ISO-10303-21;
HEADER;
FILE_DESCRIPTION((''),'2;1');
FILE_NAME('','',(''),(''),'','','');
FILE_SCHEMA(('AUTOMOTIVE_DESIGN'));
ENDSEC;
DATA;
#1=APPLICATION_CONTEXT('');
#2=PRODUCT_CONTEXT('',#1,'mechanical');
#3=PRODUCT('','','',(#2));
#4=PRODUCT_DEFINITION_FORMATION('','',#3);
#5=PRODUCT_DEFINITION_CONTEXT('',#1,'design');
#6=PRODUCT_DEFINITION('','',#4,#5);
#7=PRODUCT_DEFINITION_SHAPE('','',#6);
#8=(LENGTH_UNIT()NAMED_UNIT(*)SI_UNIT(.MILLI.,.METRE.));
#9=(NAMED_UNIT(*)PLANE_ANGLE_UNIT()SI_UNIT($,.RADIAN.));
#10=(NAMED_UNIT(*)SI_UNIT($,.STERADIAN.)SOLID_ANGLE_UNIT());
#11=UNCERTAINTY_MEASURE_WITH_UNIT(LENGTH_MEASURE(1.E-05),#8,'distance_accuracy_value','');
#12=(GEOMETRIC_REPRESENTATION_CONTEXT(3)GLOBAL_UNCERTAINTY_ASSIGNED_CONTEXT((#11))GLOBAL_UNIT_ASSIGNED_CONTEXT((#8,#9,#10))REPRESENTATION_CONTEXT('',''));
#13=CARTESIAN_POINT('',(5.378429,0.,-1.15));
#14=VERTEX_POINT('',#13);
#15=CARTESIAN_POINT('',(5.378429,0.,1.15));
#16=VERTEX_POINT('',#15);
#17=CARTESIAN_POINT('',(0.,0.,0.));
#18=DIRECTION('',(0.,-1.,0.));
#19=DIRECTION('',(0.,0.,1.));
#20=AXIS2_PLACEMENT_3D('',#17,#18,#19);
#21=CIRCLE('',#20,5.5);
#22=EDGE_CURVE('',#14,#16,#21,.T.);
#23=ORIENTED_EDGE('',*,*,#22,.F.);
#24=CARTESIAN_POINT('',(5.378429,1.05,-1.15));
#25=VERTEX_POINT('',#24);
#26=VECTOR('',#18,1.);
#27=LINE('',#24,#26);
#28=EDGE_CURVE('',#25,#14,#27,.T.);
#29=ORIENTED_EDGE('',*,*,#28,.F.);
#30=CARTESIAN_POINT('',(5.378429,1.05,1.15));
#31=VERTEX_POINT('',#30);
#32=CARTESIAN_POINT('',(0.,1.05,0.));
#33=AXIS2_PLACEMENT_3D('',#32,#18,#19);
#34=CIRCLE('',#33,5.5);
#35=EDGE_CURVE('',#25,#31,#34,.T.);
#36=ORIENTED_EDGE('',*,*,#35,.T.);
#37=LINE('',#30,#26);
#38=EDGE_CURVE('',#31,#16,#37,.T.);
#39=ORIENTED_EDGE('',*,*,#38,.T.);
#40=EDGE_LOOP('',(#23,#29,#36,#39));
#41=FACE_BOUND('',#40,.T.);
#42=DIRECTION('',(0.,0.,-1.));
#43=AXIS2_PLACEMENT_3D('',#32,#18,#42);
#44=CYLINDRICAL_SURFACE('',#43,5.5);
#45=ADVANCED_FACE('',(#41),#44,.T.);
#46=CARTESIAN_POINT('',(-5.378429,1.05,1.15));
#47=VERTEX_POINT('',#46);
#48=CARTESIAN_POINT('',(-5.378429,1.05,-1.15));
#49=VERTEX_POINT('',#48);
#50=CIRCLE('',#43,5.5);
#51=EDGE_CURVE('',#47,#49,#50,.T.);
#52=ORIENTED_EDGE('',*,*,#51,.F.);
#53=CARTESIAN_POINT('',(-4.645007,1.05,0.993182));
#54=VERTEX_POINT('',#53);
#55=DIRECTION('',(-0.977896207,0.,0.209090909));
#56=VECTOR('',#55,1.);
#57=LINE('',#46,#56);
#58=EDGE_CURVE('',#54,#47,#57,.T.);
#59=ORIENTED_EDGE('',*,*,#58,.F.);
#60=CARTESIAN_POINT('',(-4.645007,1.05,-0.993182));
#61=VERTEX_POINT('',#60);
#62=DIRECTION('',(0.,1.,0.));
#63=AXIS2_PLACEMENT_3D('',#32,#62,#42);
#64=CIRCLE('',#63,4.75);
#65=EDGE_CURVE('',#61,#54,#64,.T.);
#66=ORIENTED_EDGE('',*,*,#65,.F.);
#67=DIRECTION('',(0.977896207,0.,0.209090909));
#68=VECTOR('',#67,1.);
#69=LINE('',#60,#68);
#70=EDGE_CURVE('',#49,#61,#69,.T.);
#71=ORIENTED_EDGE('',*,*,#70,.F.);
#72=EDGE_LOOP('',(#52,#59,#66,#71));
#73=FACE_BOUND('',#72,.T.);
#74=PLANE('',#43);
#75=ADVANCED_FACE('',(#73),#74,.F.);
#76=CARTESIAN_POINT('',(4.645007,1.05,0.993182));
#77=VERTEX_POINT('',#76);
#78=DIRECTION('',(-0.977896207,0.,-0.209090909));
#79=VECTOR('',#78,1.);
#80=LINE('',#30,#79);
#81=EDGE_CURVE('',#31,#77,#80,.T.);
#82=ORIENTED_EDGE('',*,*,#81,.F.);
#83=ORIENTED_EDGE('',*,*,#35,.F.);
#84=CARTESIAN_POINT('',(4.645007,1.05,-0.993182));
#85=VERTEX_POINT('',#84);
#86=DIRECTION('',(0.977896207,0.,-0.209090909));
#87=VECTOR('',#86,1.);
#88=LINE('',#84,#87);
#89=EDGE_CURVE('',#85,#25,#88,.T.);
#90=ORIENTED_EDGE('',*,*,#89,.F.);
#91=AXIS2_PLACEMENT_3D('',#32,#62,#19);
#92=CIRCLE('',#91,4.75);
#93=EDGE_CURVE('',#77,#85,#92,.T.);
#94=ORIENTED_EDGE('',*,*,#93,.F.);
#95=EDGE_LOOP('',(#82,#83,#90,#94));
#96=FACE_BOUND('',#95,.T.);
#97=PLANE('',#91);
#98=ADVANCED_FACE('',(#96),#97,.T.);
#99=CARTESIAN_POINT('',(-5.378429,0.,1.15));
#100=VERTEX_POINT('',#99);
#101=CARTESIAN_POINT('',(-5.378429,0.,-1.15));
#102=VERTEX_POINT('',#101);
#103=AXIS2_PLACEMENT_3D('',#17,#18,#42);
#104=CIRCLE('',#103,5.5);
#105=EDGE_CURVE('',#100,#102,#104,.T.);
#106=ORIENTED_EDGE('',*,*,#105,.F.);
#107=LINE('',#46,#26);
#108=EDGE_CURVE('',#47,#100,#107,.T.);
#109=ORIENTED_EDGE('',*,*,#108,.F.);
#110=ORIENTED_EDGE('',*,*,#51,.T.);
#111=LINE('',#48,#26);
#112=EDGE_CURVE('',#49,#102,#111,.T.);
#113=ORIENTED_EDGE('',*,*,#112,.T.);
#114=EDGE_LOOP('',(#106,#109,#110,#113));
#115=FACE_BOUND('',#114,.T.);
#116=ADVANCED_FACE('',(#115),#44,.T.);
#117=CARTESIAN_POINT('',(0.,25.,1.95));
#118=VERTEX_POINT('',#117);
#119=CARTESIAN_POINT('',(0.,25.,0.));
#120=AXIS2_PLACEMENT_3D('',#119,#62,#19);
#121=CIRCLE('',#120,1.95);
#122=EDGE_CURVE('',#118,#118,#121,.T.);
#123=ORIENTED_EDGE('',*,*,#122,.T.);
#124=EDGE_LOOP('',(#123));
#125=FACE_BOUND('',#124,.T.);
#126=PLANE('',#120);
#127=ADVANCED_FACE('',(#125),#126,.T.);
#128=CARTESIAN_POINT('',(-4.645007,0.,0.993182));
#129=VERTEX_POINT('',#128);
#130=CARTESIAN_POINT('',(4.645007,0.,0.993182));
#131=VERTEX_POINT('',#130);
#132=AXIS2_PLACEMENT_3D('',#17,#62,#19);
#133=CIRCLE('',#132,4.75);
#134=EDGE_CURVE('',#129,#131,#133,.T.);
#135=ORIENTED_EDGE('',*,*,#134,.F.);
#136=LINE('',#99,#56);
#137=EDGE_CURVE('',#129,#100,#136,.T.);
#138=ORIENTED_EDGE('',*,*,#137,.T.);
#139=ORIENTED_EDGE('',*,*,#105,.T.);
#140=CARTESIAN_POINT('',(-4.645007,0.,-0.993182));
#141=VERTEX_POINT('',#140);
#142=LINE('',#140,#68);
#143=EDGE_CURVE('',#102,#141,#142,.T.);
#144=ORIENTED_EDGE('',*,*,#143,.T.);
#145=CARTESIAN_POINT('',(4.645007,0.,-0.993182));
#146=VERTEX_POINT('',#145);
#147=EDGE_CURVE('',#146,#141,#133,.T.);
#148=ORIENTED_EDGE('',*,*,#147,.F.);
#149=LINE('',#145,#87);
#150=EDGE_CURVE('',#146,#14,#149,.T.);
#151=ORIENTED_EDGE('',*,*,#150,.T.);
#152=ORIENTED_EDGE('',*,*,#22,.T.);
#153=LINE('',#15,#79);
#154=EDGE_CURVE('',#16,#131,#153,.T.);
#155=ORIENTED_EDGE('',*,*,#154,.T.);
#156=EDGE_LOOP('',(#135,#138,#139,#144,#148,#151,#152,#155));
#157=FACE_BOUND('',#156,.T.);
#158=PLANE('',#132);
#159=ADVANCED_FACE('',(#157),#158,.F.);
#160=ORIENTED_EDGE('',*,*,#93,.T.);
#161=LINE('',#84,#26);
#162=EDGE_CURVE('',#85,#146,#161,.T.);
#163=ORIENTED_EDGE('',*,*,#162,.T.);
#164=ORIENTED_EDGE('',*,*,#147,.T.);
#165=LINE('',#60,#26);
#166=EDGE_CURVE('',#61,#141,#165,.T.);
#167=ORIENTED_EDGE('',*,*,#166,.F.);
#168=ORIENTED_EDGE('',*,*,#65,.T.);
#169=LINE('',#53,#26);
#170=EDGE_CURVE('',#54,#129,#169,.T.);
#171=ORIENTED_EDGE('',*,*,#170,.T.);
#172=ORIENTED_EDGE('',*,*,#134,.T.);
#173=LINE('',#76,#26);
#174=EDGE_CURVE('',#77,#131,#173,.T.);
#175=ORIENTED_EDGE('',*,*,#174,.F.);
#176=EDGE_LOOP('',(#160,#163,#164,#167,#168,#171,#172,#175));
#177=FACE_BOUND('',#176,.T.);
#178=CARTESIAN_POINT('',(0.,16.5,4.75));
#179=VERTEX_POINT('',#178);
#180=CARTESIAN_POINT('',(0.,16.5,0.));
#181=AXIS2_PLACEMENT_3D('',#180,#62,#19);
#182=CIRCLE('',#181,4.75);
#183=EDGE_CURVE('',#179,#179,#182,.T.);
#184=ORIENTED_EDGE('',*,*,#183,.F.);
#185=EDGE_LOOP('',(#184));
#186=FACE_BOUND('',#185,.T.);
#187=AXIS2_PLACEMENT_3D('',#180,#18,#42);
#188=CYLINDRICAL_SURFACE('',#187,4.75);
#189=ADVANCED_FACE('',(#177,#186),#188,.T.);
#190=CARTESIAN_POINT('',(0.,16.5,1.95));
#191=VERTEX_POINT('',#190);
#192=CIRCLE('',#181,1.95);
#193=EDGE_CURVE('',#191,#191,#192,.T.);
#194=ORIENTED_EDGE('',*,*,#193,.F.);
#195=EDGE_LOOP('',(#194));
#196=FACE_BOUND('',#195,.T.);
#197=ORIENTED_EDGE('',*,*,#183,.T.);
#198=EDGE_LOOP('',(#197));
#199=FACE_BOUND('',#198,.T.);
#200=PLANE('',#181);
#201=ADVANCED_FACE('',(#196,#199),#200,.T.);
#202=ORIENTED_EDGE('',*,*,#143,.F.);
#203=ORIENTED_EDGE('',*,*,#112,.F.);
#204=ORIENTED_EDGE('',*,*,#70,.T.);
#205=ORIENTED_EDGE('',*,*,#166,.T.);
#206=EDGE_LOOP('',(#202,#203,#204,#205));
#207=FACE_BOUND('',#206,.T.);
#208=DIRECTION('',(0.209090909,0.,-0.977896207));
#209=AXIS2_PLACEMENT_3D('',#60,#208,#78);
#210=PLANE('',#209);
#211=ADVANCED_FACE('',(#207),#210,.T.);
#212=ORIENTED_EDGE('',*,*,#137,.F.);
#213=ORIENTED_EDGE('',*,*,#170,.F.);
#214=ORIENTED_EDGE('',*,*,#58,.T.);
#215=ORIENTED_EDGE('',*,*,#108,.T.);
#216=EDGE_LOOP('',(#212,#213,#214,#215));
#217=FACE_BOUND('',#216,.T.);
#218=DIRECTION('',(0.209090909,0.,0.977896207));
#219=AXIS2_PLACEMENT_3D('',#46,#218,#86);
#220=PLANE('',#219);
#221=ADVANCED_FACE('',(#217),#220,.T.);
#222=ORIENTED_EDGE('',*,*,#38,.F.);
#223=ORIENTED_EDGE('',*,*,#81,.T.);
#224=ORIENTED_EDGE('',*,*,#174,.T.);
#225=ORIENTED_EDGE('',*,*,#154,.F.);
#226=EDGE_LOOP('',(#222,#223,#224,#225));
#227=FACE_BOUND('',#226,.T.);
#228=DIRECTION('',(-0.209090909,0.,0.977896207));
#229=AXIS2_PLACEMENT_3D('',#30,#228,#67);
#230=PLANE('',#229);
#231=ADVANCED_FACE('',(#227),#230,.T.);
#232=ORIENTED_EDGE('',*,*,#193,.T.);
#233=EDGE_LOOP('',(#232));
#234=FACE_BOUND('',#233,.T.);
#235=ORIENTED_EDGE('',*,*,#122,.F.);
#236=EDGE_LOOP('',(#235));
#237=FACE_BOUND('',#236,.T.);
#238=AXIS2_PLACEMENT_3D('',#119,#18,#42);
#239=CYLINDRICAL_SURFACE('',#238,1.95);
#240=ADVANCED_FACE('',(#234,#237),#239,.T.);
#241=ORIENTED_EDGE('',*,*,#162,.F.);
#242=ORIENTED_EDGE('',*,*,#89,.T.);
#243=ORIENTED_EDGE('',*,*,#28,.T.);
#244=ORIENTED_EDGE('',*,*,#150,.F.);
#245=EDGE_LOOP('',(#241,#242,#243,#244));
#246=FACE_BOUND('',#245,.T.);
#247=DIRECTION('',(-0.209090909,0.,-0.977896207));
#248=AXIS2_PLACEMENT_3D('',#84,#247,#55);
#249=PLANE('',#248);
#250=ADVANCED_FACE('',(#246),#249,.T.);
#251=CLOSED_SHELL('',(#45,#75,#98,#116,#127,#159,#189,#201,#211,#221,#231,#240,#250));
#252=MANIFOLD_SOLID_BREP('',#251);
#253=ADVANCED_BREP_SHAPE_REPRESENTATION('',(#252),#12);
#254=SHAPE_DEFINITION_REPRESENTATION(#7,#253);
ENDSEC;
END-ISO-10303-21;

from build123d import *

# Parameters (mm, degrees)
SKETCH1_R           = 4.75
BOSS_EXTRUDE1_DEPTH = 16.5
SKETCH2_R           = 1.95
BOSS_EXTRUDE2_DEPTH = 8.5
BOSS_EXTRUDE3_DEPTH = 1.05


with BuildPart() as part:
    # Sketch1 → Boss-Extrude1 (new body)
    with BuildSketch(Plane(origin=(0, 0, 0), x_dir=(1, 0, 0), z_dir=(0, 1, 0))):
        Circle(SKETCH1_R)
    extrude(amount=BOSS_EXTRUDE1_DEPTH)

    # Sketch2 → Boss-Extrude2 (add)
    with BuildSketch(Plane(origin=(0, 16.5, 0), x_dir=(1, 0, 0), z_dir=(0, 1, 0))):
        Circle(SKETCH2_R)
    extrude(amount=BOSS_EXTRUDE2_DEPTH)

    # Sketch3 → Boss-Extrude3 (add)
    with BuildSketch(Plane.XZ):
        with BuildLine():
            Line((-5.378429139, 1.15), (-4.645006983, 0.993181818))
            ThreePointArc((-4.645006983, 0.993181818), (-4.75, 0), (-4.645006983, -0.993181818))
            Line((-4.645006983, -0.993181818), (-5.378429139, -1.15))
            ThreePointArc((-5.378429139, -1.15), (-5.5, 0), (-5.378429139, 1.15))
        make_face()
        with BuildLine():
            Line((4.645006983, -0.993181818), (5.378429139, -1.15))
            ThreePointArc((5.378429139, -1.15), (5.5, 0), (5.378429139, 1.15))
            Line((5.378429139, 1.15), (4.645006983, 0.993181818))
            ThreePointArc((4.645006983, 0.993181818), (4.75, 0), (4.645006983, -0.993181818))
        make_face()
    extrude(amount=-BOSS_EXTRUDE3_DEPTH)


solid = part.part
